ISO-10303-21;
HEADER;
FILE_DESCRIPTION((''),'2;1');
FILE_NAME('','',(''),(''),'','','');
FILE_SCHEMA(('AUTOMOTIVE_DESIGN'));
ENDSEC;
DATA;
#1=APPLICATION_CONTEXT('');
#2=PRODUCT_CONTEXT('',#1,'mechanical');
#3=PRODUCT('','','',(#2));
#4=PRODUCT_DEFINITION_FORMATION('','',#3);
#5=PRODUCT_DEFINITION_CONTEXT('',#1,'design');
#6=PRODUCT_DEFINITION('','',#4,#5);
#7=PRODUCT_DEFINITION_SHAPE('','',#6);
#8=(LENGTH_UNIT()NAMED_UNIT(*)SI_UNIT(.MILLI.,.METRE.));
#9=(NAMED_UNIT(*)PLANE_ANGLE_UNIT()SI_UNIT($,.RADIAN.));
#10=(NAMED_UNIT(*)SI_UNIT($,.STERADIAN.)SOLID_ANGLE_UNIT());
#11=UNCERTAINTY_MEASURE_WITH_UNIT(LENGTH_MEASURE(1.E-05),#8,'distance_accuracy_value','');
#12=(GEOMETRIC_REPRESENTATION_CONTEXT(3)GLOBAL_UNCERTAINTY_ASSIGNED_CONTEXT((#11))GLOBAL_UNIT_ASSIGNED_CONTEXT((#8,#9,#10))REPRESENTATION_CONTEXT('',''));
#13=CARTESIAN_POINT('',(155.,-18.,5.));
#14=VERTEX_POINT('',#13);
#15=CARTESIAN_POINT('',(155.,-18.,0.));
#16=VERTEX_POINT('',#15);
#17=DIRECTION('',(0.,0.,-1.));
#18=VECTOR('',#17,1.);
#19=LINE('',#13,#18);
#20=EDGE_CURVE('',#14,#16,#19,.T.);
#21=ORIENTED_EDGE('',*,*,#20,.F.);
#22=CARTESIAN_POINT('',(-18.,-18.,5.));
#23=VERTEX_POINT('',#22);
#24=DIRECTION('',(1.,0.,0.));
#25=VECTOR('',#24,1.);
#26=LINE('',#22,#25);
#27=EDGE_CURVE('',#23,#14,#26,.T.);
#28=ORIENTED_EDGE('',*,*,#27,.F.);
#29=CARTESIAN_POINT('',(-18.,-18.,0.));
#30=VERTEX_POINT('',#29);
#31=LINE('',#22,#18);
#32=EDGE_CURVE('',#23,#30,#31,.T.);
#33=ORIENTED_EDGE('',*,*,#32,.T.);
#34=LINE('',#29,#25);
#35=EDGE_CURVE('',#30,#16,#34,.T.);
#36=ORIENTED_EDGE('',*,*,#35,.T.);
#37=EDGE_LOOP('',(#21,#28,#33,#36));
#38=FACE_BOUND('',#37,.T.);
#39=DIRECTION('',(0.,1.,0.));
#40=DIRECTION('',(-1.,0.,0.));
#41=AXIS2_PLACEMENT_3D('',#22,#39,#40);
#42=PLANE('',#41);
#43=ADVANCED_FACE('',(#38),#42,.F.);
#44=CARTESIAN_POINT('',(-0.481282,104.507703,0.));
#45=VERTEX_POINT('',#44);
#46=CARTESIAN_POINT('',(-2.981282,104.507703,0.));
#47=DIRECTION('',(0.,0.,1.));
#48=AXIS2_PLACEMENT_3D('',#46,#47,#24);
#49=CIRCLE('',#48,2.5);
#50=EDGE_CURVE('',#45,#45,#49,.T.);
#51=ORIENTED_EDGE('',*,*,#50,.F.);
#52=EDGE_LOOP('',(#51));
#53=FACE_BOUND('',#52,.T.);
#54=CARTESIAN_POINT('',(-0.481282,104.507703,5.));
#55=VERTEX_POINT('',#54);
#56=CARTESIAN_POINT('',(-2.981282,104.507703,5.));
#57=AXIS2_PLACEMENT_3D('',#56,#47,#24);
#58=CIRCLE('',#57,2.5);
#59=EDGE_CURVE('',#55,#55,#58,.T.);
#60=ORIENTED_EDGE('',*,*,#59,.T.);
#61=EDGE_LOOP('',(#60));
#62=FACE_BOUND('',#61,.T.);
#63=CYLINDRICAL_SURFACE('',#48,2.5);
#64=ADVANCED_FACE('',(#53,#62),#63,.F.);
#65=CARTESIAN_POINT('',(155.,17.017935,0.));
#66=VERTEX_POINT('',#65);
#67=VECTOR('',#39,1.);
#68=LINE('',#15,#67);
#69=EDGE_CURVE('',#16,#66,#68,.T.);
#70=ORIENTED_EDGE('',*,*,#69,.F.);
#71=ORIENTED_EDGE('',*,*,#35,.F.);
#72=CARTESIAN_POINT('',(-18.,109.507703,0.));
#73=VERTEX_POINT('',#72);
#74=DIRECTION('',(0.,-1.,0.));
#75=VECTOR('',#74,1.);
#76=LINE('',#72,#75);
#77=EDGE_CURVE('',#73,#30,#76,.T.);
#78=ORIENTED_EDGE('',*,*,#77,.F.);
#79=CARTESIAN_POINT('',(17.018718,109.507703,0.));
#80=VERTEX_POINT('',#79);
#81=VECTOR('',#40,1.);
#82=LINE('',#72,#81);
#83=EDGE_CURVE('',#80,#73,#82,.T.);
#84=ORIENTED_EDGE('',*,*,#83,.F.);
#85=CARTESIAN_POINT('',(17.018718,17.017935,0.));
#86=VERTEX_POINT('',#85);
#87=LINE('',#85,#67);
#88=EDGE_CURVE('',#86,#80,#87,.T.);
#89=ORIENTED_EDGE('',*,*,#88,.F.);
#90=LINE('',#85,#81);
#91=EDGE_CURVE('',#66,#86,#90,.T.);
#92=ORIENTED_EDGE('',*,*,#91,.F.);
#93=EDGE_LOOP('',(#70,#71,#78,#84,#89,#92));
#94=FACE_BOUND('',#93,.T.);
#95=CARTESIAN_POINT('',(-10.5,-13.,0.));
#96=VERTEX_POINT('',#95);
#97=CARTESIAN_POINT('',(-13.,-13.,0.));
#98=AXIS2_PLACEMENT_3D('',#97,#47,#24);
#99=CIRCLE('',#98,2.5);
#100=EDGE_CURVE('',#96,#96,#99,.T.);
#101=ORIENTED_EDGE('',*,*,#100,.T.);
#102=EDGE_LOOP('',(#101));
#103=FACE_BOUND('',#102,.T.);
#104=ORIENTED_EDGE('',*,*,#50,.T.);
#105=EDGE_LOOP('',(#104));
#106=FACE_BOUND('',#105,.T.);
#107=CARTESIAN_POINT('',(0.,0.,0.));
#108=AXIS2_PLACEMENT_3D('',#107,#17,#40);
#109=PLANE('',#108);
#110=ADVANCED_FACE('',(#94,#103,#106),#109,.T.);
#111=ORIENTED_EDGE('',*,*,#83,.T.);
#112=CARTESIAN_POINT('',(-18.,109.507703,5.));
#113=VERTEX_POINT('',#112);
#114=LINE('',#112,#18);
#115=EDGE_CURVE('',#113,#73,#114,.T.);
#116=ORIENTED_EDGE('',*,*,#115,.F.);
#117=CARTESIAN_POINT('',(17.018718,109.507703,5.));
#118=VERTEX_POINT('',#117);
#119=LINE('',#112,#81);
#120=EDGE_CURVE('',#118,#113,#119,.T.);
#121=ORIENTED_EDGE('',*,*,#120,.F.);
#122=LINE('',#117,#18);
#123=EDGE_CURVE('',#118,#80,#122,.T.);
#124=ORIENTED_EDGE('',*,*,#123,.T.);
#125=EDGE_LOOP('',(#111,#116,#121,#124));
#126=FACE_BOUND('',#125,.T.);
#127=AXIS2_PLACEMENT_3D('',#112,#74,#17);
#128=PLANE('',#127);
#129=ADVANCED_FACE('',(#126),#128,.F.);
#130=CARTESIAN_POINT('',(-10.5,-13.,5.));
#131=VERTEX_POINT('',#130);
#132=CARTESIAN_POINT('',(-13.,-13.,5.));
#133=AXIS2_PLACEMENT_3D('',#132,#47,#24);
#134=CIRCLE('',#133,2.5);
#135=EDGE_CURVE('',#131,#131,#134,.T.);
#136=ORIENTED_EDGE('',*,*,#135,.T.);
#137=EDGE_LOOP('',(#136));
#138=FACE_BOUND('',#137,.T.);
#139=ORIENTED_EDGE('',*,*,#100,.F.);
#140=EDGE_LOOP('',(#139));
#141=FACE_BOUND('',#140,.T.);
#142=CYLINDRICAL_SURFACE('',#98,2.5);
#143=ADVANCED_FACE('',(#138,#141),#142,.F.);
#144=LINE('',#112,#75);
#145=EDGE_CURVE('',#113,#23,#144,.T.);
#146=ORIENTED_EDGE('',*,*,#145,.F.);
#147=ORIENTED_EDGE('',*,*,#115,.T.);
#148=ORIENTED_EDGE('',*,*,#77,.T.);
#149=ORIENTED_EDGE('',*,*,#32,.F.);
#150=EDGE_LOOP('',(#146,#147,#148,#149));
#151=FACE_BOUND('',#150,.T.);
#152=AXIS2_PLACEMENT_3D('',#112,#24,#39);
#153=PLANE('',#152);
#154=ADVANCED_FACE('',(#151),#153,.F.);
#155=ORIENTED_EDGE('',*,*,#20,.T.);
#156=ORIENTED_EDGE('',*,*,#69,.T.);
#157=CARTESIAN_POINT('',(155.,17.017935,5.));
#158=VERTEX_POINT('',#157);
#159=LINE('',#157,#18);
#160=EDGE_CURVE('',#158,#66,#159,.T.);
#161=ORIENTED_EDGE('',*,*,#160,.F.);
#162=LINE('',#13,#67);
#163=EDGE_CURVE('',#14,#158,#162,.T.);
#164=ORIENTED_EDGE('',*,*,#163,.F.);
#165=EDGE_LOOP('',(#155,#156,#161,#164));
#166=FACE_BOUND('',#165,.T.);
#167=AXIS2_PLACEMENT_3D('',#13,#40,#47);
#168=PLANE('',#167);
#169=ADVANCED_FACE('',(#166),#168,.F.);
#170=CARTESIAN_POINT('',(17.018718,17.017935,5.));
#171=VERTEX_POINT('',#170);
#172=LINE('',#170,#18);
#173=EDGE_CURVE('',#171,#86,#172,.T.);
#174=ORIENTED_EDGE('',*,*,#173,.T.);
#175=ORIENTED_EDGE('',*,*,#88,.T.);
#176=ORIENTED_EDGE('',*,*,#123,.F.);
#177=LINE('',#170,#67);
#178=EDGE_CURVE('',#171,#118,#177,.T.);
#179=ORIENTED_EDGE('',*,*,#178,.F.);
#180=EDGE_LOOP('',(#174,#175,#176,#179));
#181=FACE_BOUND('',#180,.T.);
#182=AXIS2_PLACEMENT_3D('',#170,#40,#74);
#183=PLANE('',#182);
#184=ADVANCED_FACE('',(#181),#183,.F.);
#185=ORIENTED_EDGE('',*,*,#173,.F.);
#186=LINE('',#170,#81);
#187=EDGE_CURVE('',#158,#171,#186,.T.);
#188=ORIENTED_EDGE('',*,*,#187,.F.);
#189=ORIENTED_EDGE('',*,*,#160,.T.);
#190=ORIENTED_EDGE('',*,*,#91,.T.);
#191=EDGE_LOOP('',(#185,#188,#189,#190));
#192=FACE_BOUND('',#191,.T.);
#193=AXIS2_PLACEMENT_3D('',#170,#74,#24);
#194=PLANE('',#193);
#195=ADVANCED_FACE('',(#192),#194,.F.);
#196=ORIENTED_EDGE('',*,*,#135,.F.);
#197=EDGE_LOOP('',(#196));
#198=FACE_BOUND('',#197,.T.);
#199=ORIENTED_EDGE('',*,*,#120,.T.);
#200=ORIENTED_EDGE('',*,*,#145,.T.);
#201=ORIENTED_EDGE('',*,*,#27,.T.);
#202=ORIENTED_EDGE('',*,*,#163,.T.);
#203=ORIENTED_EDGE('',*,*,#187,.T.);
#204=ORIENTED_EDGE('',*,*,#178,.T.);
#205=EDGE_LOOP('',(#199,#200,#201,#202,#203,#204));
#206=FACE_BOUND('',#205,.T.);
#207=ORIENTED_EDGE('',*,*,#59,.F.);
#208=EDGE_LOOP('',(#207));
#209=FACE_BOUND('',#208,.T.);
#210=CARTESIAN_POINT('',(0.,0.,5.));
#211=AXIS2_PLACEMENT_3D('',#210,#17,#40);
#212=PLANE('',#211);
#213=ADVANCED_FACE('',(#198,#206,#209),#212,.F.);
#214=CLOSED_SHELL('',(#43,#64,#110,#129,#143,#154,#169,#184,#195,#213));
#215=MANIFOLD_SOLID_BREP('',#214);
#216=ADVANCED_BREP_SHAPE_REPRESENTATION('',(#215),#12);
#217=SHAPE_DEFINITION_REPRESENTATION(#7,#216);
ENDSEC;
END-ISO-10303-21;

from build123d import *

# Parameters (mm, degrees)
BOSS_EXTRUDE1_DEPTH = 5
SKETCH3_R           = 2.5
CUT_EXTRUDE1_DEPTH  = 6


with BuildPart() as part:
    # Sketch2 → Boss-Extrude1 (new body)
    with BuildSketch(Plane.XY):
        Polygon((-18.000000008, 109.507702779), (17.018717612, 109.507702779), (17.018717612, 17.017935082), (155, 17.017935082), (155, -18), (-18.000000008, -18), align=None)
    extrude(amount=BOSS_EXTRUDE1_DEPTH)

    # Sketch3 → Cut-Extrude1 (cut, through all)
    with BuildSketch(Plane.XY.offset(5)):
        with Locations((-13.000000008, -13)):
            Circle(SKETCH3_R)
        with Locations((-2.981282388, 104.507702779)):
            Circle(SKETCH3_R)
    extrude(amount=-CUT_EXTRUDE1_DEPTH, mode=Mode.SUBTRACT)


solid = part.part
